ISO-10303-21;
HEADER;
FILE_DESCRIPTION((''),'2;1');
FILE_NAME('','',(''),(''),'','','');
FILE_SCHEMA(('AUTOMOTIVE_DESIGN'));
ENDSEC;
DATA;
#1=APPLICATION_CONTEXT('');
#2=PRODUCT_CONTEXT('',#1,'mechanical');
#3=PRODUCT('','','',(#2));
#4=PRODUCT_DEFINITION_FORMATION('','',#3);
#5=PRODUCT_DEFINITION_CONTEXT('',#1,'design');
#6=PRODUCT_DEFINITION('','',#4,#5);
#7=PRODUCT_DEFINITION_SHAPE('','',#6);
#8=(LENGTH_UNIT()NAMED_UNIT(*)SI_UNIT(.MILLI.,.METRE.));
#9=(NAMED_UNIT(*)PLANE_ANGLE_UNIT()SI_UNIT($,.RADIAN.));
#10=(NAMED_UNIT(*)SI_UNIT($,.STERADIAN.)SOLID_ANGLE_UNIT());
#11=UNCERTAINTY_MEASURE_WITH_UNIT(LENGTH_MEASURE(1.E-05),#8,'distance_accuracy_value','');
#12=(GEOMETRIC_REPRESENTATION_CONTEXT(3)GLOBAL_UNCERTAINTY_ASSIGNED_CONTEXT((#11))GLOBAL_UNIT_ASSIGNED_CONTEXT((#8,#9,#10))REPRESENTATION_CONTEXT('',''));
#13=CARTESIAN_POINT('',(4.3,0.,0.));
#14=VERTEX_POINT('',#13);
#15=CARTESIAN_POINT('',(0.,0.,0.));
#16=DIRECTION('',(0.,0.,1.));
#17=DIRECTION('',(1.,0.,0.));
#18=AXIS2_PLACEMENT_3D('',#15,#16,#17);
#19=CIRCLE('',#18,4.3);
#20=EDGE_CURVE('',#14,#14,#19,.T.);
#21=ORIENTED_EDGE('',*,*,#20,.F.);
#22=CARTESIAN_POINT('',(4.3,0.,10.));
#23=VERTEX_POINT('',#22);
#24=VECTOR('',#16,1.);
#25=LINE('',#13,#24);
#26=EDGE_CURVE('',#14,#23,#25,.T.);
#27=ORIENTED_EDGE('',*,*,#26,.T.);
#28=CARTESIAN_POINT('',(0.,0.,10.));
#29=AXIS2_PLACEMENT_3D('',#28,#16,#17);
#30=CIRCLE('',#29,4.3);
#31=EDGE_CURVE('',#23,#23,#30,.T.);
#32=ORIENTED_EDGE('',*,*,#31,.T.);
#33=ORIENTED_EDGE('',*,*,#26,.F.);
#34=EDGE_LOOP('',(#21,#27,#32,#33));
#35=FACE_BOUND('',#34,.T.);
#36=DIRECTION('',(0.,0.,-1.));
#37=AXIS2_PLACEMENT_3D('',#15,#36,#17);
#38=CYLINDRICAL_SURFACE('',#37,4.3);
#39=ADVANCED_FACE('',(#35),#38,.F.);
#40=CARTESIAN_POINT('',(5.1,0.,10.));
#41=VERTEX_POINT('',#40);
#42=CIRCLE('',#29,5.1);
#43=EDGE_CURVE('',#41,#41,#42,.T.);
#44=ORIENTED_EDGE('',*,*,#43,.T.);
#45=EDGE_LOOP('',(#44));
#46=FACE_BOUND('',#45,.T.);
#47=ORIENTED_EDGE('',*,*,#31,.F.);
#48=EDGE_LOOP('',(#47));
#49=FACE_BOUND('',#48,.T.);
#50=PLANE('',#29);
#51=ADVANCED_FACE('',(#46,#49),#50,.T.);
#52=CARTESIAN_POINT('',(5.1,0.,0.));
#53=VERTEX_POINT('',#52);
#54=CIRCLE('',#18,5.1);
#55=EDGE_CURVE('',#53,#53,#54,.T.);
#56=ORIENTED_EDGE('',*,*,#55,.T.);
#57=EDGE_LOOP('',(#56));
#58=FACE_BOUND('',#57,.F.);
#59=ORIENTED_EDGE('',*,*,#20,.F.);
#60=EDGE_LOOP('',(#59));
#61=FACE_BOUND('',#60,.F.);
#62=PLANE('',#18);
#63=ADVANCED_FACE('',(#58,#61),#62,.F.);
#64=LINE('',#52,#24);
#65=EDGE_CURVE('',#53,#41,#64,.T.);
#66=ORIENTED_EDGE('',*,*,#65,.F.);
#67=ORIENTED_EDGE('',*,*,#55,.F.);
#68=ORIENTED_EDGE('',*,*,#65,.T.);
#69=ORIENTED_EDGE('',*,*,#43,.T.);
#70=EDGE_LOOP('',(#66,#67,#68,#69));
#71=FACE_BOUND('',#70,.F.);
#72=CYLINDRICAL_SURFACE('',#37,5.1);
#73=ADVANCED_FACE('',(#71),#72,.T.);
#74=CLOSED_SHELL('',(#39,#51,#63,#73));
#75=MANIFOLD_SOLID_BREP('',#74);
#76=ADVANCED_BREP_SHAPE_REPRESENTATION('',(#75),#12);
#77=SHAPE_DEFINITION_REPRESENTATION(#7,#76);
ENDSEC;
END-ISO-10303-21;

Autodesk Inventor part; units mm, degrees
ref_plane "YZ Plane" through (0, 0, 0) normal (1, 0, 0) x (0, 1, 0)
ref_plane "XZ Plane" through (0, 0, 0) normal (0, 1, 0) x (-1, 0, 0)
ref_plane "XY Plane" through (0, 0, 0) normal (0, 0, 1) x (1, 0, 0)
ref_plane "Work Plane1" through (0, 0, 0) normal (0, 0, 1) x (1, 0, 0)
sketch "Sketch1" plane through (0, 0, 0) normal (0, 0, 1) x (1, 0, 0)
  circle A0 centre (0, 0) radius 5.3 construction
  circle A1 centre (0, 0) radius 4.3 projected
  circle A2 centre (0, 0) radius 5.1
  point P0 (0, 0)
  dimension "d0" = 0.2
extrude "Extrusion1" add sketch "Sketch1" along normal blind 10
properties part number "spout"
